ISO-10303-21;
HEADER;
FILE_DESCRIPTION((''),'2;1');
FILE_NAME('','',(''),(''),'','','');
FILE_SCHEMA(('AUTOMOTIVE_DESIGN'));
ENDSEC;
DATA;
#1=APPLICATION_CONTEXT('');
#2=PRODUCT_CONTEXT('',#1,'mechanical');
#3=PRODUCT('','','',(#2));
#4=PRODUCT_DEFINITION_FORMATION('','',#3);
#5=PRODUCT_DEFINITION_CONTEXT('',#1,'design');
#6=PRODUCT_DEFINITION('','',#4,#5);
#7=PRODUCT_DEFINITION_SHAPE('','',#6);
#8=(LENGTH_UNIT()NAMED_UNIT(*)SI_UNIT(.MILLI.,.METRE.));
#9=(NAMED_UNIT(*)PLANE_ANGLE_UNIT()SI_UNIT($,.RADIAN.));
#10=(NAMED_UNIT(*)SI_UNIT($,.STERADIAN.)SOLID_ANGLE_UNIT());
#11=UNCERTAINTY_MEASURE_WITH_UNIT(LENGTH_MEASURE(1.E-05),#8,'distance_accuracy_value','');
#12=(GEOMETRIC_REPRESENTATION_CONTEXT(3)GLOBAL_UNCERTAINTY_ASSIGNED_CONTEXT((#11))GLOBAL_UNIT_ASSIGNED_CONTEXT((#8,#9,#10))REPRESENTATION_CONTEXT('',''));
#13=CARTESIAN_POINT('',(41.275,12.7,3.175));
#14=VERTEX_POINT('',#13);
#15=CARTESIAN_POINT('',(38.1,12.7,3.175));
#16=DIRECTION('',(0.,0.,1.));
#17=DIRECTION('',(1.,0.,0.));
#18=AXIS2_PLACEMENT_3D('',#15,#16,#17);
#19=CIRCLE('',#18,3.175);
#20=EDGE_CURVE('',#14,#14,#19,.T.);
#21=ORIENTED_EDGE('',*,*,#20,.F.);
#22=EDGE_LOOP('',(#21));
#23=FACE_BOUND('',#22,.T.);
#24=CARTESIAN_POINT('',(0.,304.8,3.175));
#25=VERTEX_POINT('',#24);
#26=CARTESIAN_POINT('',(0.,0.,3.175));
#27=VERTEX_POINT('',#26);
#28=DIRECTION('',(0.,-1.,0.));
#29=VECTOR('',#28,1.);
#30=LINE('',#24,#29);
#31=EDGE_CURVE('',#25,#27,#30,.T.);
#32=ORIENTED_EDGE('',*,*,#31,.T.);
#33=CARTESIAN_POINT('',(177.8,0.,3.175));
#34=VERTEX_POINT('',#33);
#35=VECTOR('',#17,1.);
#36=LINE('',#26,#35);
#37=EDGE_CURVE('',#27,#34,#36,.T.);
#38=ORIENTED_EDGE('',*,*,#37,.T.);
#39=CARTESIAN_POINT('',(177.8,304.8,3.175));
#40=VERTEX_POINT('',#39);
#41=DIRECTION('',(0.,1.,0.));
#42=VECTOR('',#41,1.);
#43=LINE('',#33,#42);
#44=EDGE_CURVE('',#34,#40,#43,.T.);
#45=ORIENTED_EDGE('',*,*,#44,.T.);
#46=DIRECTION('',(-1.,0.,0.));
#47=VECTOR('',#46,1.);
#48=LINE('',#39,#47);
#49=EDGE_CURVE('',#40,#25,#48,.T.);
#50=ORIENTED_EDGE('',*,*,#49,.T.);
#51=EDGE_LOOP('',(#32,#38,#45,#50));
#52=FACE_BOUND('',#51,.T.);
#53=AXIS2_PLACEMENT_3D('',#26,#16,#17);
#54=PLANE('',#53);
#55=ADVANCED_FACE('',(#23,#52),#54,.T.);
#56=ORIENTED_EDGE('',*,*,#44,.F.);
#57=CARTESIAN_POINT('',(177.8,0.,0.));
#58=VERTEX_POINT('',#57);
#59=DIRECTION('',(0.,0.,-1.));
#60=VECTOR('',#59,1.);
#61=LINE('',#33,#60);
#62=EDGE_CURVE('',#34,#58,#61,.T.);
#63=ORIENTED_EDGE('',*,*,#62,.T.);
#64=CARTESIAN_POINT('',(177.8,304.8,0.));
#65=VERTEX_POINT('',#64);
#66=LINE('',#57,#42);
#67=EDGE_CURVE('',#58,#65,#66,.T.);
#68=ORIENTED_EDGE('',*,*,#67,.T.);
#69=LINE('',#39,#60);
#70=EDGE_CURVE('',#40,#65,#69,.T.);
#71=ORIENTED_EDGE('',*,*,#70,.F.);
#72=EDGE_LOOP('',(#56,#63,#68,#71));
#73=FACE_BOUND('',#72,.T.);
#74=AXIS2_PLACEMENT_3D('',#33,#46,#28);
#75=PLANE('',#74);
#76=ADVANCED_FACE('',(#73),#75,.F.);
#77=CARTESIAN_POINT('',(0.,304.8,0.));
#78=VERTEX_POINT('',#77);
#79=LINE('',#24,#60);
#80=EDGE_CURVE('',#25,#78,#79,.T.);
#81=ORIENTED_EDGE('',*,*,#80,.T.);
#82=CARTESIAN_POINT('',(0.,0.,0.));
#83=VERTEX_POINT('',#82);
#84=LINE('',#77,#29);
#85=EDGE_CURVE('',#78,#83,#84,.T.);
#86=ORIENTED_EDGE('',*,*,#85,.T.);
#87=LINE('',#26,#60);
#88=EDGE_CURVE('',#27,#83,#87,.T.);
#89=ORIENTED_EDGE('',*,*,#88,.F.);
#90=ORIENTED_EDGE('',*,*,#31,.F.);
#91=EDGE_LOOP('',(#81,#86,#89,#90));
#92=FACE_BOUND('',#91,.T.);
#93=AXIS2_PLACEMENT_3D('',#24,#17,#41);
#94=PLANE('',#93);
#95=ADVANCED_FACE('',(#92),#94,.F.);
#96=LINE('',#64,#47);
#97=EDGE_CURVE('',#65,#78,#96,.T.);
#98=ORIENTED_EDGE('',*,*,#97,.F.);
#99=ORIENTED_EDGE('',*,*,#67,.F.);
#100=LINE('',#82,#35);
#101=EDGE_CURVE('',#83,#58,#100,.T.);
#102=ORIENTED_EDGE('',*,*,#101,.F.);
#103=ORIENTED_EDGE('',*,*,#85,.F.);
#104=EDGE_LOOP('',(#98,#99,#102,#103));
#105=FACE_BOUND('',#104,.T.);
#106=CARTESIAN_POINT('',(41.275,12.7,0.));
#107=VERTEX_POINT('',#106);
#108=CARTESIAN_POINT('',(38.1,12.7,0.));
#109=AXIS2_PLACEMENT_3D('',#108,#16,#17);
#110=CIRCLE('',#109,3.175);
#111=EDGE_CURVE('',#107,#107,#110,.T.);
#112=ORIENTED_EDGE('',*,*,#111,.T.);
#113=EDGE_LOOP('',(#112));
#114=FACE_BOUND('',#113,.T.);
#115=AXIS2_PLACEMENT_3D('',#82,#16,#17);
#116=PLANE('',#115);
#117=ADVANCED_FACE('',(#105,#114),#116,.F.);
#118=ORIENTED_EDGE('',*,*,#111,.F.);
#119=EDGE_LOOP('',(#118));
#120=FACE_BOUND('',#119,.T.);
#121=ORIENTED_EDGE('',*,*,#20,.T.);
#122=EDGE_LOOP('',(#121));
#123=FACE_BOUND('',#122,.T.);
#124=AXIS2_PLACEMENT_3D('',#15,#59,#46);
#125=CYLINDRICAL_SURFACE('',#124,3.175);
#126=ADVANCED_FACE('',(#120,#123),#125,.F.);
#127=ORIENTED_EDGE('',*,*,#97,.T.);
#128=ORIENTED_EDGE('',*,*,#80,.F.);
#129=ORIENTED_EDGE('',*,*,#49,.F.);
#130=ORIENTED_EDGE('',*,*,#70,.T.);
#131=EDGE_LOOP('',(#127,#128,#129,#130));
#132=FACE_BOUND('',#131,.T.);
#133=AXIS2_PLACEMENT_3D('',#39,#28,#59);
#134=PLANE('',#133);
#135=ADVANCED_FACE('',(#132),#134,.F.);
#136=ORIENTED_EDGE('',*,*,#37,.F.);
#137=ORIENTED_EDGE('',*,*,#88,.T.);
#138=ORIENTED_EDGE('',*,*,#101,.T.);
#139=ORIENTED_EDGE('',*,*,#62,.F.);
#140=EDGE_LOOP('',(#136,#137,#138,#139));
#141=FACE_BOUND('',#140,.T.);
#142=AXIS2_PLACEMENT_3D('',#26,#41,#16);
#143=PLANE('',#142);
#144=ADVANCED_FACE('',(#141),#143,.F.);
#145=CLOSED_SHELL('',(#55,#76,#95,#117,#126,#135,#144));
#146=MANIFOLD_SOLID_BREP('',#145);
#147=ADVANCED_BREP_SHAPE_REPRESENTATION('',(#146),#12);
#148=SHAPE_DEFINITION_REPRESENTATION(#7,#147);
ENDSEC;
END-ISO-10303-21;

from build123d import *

# Parameters (mm, degrees)
SKETCH1_W           = 177.8
SKETCH1_H           = 304.8
SKETCH1_R           = 3.175
BOSS_EXTRUDE1_DEPTH = 3.175


with BuildPart() as part:
    # Sketch1 → Boss-Extrude1 (new body)
    with BuildSketch(Plane.XY):
        with Locations((88.9, 152.4)):
            Rectangle(SKETCH1_W, SKETCH1_H)
        with Locations((38.1, 12.7)):
            Circle(SKETCH1_R, mode=Mode.SUBTRACT)
    extrude(amount=BOSS_EXTRUDE1_DEPTH)


solid = part.part
